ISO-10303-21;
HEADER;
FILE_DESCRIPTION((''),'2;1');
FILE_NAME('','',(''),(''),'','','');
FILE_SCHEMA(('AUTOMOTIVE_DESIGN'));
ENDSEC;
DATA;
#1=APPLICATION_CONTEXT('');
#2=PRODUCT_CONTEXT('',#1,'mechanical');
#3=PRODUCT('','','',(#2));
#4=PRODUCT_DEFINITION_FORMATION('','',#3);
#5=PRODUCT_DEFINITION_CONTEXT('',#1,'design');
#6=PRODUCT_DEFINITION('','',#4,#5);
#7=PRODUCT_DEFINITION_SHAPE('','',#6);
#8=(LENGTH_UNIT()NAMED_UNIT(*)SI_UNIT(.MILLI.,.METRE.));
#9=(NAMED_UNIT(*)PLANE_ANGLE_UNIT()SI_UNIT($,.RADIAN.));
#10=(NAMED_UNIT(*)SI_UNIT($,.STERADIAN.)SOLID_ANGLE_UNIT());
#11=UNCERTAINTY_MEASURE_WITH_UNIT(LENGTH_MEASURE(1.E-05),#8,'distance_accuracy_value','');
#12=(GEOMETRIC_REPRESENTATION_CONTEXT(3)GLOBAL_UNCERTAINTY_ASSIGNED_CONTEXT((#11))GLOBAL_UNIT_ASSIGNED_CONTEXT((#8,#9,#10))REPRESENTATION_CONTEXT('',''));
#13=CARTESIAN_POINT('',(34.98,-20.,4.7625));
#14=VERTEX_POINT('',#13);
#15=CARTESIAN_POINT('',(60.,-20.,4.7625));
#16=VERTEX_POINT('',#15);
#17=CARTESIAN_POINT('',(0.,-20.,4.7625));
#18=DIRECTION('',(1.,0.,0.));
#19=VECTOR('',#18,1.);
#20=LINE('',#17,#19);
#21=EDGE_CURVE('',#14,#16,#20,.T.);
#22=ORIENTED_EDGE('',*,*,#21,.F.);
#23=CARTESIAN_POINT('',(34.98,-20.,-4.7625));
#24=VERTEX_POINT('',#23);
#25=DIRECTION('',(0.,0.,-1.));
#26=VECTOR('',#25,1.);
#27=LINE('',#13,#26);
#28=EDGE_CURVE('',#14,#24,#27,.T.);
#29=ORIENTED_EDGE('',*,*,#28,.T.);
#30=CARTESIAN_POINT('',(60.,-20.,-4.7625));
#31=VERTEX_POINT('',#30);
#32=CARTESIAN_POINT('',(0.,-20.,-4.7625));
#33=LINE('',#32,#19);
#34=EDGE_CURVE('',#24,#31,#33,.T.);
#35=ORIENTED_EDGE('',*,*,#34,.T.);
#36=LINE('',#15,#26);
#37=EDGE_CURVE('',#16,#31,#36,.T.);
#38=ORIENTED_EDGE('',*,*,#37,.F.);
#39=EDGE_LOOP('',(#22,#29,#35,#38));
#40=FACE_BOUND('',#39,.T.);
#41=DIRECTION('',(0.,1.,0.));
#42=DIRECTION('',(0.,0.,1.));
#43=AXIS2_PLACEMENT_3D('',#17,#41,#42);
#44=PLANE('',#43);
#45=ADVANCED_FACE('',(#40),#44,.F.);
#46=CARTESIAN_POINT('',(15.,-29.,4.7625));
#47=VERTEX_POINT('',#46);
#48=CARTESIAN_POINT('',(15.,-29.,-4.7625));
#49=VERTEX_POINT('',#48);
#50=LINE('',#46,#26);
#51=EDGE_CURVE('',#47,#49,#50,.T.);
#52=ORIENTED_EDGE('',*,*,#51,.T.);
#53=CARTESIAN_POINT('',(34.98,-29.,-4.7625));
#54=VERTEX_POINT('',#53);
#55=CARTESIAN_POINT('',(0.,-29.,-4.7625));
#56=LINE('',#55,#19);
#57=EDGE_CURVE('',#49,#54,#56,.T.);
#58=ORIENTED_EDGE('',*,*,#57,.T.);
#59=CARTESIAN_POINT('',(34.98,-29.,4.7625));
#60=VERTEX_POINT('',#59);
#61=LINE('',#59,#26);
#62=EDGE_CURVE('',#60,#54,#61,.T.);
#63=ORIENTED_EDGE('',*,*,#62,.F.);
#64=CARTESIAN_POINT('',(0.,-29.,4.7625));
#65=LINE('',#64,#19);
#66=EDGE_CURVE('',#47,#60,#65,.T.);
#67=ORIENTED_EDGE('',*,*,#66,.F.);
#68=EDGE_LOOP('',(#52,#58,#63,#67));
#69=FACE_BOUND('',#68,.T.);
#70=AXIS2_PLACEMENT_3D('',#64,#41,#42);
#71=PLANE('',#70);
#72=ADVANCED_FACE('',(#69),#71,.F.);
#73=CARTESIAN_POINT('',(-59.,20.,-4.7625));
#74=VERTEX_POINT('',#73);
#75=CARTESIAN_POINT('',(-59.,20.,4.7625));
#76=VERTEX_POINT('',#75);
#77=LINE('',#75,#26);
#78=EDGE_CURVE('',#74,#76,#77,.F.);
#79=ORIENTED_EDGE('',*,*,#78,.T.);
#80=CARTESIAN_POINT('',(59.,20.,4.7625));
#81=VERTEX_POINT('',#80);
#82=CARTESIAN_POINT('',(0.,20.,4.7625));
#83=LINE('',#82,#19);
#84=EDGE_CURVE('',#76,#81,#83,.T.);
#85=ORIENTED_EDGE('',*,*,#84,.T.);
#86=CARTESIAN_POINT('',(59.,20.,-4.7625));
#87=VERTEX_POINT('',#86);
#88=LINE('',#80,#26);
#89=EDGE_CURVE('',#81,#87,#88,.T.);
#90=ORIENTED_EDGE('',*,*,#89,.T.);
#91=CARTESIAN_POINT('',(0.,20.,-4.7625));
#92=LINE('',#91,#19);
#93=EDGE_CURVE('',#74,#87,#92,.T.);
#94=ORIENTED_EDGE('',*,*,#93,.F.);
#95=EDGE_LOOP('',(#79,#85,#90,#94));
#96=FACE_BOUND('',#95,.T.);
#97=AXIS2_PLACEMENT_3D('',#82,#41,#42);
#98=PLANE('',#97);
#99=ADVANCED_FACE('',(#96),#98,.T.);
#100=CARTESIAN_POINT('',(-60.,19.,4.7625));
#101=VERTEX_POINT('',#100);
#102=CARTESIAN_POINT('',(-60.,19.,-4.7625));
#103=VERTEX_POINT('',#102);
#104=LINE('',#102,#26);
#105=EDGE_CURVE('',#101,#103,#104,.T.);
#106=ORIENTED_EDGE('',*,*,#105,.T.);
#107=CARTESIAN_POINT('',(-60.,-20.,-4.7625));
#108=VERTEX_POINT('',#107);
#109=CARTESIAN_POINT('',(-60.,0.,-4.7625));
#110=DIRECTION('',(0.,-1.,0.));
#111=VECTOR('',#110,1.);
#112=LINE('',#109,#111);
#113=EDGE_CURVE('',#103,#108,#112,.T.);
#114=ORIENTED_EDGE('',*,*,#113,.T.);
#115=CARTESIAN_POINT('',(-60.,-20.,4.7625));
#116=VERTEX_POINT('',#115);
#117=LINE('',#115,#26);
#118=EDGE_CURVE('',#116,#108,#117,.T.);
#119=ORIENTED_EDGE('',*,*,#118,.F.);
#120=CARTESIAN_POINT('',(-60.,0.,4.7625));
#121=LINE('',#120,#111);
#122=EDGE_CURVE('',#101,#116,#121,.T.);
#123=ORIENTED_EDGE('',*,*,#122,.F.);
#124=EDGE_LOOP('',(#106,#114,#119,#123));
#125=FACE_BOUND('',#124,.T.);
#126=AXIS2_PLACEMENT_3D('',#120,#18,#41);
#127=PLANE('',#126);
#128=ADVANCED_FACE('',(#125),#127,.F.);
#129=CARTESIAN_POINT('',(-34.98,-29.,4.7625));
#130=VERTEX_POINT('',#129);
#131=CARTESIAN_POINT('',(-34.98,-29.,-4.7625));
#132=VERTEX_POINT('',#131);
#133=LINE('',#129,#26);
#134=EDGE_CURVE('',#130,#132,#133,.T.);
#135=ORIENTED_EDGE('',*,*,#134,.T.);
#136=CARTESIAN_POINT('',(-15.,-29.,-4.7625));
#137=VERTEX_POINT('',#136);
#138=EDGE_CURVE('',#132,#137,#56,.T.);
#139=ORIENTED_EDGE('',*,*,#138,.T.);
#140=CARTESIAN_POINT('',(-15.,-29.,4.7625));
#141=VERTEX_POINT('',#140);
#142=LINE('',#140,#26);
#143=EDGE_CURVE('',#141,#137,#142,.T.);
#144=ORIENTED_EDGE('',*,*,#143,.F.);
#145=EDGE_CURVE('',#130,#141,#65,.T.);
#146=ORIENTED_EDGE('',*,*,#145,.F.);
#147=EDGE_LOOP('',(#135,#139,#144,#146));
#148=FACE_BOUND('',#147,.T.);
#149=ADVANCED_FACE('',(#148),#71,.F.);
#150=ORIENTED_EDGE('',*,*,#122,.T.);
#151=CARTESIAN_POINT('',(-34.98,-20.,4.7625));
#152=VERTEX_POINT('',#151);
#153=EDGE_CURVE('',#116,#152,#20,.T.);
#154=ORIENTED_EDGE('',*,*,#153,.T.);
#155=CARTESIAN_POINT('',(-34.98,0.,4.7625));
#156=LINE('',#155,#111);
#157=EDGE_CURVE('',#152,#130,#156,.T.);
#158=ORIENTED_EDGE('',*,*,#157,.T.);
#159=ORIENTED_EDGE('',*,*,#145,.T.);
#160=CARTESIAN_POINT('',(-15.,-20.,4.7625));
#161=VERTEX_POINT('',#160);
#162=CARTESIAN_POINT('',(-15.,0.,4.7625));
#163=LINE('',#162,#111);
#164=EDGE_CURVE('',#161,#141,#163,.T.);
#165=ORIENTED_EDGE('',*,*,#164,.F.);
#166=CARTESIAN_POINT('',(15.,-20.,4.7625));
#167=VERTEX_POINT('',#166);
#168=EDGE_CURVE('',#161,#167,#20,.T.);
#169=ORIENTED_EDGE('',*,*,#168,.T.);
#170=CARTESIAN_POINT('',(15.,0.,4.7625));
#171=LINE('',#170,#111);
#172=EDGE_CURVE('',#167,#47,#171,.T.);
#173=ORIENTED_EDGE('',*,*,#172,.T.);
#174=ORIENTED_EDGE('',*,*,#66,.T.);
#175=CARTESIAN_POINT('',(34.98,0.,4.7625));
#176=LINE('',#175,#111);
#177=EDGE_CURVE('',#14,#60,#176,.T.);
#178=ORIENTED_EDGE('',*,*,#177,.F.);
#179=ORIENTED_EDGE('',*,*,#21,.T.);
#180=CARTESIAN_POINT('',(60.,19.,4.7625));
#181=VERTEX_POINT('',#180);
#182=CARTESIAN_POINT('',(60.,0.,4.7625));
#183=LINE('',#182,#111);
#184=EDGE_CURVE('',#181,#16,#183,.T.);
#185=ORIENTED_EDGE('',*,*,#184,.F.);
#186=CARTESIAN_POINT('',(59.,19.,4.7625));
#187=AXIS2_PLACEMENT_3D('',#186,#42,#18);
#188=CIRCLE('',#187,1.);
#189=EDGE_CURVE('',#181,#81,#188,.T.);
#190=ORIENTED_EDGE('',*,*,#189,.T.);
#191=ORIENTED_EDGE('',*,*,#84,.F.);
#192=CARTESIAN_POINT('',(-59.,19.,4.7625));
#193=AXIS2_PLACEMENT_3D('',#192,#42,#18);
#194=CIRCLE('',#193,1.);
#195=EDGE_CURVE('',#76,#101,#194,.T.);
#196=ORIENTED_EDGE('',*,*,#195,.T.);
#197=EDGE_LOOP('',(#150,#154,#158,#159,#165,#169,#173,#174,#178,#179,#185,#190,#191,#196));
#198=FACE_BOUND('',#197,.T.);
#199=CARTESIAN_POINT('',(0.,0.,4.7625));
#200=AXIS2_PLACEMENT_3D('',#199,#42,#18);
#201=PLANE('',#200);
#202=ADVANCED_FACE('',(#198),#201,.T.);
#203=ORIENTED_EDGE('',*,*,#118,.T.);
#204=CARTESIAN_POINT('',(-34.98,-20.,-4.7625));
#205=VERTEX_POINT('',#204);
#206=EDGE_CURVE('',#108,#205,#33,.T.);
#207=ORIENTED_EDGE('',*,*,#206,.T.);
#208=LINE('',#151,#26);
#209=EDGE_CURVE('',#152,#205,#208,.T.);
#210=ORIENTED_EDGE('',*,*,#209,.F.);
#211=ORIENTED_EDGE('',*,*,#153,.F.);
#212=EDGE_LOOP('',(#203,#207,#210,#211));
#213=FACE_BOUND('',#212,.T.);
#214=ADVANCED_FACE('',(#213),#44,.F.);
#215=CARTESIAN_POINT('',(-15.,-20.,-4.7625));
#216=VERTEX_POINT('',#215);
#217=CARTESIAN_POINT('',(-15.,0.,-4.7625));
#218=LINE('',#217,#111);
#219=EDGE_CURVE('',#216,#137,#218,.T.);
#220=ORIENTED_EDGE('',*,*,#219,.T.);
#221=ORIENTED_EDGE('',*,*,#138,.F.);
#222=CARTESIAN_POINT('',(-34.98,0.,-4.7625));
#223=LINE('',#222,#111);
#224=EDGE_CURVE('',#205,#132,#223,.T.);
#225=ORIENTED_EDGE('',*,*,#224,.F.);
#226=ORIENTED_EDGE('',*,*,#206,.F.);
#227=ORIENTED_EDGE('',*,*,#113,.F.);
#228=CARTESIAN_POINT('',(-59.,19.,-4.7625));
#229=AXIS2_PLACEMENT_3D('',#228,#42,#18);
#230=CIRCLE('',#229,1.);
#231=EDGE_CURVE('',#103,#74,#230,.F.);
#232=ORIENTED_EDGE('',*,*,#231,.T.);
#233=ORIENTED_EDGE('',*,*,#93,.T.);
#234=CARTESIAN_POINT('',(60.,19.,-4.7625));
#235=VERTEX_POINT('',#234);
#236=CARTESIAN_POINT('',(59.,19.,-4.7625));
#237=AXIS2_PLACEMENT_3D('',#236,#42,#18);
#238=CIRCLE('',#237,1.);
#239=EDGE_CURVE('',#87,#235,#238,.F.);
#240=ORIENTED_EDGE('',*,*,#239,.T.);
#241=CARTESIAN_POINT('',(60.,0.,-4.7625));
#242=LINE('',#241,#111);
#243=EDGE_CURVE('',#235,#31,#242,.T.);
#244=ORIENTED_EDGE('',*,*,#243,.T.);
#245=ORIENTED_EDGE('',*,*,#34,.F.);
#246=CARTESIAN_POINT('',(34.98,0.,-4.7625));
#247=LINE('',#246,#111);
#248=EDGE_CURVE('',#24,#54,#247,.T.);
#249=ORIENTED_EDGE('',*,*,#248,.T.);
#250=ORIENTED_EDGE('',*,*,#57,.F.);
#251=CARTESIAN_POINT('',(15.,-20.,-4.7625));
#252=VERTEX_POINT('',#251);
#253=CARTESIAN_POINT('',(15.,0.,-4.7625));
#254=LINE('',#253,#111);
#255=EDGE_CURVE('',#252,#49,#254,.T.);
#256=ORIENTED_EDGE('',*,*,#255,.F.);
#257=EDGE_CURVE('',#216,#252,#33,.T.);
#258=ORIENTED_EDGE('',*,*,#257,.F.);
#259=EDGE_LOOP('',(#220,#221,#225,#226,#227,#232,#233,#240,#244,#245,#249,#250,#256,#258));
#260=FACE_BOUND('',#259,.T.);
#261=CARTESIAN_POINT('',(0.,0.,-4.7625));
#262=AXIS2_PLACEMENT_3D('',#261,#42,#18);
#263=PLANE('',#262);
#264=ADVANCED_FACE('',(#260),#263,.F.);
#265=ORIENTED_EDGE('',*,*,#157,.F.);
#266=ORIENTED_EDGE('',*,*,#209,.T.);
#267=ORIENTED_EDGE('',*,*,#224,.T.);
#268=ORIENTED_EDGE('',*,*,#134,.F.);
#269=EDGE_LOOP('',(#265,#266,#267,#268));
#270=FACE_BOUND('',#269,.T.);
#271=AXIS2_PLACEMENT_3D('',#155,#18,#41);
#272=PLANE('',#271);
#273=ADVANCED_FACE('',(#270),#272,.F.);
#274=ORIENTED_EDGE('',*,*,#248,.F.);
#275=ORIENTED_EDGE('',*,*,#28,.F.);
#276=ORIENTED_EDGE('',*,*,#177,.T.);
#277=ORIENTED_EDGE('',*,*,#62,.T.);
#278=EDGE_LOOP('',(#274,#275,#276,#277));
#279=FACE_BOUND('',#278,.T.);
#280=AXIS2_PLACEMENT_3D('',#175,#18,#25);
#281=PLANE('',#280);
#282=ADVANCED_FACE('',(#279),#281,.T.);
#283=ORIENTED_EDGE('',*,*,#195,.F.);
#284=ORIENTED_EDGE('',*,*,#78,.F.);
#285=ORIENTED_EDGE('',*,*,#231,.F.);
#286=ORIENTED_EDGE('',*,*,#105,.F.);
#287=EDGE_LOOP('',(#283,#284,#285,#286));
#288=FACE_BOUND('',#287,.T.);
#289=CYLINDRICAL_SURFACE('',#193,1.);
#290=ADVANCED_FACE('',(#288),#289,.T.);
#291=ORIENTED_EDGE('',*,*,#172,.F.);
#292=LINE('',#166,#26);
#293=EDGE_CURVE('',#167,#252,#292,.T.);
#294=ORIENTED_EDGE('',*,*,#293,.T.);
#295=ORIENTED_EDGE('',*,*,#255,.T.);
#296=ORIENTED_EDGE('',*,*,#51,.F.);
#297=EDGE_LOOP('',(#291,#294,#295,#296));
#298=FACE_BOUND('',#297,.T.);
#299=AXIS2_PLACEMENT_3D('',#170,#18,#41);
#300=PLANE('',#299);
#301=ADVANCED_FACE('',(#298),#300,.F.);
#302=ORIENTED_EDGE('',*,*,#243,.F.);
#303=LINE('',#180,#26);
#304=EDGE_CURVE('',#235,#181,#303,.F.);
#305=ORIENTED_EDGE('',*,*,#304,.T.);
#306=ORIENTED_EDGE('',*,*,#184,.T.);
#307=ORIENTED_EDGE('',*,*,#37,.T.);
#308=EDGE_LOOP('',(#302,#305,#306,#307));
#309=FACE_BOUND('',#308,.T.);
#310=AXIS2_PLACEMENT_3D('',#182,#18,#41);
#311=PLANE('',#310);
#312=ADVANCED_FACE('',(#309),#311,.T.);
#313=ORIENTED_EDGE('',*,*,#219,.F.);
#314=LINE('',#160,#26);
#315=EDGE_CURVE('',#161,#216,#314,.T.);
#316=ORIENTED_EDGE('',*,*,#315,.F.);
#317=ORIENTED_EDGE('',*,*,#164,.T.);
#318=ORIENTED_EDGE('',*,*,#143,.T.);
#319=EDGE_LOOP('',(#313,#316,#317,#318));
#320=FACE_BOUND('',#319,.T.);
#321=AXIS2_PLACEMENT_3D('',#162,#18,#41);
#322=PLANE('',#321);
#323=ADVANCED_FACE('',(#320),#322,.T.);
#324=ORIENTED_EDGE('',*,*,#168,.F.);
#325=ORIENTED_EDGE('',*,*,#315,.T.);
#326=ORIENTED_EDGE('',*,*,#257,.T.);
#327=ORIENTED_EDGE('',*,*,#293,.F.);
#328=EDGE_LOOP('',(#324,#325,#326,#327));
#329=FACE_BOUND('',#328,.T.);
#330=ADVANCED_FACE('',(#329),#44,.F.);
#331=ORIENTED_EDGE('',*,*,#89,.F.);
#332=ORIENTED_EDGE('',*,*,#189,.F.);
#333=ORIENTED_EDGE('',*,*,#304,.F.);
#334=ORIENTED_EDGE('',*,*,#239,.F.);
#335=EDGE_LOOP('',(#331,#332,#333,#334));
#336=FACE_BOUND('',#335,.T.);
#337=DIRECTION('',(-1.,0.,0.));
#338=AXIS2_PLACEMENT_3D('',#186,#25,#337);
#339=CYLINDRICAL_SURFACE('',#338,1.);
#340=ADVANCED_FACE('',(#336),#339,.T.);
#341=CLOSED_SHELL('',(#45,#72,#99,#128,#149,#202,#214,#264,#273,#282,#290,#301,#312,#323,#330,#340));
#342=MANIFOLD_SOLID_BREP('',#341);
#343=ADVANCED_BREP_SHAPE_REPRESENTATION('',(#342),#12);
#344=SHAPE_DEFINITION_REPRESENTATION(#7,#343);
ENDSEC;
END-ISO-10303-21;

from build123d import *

# Parameters (mm, degrees)
SKETCH1_W           = 120
SKETCH1_H           = 40
SKETCH1_W_2         = 19.98
SKETCH1_H_2         = 9
BOSS_EXTRUDE1_DEPTH = 4.7625
FILLET1_R           = 1


with BuildPart() as part:
    # Sketch1 → Boss-Extrude1 (new, symmetric)
    with BuildSketch(Plane.XY):
        Rectangle(SKETCH1_W, SKETCH1_H)
        with Locations((-24.99, -24.5)):
            Rectangle(SKETCH1_W_2, SKETCH1_H_2)
        with Locations((24.99, -24.5)):
            Rectangle(SKETCH1_W_2, SKETCH1_H_2)
    extrude(amount=BOSS_EXTRUDE1_DEPTH, both=True)

    # Fillet1
    fillet1_edges = [part.edges().sort_by_distance(p)[0] for p in [
        (-60, 20, 0),
        (60, 20, 0),
    ]]
    fillet(fillet1_edges, radius=FILLET1_R)


solid = part.part
